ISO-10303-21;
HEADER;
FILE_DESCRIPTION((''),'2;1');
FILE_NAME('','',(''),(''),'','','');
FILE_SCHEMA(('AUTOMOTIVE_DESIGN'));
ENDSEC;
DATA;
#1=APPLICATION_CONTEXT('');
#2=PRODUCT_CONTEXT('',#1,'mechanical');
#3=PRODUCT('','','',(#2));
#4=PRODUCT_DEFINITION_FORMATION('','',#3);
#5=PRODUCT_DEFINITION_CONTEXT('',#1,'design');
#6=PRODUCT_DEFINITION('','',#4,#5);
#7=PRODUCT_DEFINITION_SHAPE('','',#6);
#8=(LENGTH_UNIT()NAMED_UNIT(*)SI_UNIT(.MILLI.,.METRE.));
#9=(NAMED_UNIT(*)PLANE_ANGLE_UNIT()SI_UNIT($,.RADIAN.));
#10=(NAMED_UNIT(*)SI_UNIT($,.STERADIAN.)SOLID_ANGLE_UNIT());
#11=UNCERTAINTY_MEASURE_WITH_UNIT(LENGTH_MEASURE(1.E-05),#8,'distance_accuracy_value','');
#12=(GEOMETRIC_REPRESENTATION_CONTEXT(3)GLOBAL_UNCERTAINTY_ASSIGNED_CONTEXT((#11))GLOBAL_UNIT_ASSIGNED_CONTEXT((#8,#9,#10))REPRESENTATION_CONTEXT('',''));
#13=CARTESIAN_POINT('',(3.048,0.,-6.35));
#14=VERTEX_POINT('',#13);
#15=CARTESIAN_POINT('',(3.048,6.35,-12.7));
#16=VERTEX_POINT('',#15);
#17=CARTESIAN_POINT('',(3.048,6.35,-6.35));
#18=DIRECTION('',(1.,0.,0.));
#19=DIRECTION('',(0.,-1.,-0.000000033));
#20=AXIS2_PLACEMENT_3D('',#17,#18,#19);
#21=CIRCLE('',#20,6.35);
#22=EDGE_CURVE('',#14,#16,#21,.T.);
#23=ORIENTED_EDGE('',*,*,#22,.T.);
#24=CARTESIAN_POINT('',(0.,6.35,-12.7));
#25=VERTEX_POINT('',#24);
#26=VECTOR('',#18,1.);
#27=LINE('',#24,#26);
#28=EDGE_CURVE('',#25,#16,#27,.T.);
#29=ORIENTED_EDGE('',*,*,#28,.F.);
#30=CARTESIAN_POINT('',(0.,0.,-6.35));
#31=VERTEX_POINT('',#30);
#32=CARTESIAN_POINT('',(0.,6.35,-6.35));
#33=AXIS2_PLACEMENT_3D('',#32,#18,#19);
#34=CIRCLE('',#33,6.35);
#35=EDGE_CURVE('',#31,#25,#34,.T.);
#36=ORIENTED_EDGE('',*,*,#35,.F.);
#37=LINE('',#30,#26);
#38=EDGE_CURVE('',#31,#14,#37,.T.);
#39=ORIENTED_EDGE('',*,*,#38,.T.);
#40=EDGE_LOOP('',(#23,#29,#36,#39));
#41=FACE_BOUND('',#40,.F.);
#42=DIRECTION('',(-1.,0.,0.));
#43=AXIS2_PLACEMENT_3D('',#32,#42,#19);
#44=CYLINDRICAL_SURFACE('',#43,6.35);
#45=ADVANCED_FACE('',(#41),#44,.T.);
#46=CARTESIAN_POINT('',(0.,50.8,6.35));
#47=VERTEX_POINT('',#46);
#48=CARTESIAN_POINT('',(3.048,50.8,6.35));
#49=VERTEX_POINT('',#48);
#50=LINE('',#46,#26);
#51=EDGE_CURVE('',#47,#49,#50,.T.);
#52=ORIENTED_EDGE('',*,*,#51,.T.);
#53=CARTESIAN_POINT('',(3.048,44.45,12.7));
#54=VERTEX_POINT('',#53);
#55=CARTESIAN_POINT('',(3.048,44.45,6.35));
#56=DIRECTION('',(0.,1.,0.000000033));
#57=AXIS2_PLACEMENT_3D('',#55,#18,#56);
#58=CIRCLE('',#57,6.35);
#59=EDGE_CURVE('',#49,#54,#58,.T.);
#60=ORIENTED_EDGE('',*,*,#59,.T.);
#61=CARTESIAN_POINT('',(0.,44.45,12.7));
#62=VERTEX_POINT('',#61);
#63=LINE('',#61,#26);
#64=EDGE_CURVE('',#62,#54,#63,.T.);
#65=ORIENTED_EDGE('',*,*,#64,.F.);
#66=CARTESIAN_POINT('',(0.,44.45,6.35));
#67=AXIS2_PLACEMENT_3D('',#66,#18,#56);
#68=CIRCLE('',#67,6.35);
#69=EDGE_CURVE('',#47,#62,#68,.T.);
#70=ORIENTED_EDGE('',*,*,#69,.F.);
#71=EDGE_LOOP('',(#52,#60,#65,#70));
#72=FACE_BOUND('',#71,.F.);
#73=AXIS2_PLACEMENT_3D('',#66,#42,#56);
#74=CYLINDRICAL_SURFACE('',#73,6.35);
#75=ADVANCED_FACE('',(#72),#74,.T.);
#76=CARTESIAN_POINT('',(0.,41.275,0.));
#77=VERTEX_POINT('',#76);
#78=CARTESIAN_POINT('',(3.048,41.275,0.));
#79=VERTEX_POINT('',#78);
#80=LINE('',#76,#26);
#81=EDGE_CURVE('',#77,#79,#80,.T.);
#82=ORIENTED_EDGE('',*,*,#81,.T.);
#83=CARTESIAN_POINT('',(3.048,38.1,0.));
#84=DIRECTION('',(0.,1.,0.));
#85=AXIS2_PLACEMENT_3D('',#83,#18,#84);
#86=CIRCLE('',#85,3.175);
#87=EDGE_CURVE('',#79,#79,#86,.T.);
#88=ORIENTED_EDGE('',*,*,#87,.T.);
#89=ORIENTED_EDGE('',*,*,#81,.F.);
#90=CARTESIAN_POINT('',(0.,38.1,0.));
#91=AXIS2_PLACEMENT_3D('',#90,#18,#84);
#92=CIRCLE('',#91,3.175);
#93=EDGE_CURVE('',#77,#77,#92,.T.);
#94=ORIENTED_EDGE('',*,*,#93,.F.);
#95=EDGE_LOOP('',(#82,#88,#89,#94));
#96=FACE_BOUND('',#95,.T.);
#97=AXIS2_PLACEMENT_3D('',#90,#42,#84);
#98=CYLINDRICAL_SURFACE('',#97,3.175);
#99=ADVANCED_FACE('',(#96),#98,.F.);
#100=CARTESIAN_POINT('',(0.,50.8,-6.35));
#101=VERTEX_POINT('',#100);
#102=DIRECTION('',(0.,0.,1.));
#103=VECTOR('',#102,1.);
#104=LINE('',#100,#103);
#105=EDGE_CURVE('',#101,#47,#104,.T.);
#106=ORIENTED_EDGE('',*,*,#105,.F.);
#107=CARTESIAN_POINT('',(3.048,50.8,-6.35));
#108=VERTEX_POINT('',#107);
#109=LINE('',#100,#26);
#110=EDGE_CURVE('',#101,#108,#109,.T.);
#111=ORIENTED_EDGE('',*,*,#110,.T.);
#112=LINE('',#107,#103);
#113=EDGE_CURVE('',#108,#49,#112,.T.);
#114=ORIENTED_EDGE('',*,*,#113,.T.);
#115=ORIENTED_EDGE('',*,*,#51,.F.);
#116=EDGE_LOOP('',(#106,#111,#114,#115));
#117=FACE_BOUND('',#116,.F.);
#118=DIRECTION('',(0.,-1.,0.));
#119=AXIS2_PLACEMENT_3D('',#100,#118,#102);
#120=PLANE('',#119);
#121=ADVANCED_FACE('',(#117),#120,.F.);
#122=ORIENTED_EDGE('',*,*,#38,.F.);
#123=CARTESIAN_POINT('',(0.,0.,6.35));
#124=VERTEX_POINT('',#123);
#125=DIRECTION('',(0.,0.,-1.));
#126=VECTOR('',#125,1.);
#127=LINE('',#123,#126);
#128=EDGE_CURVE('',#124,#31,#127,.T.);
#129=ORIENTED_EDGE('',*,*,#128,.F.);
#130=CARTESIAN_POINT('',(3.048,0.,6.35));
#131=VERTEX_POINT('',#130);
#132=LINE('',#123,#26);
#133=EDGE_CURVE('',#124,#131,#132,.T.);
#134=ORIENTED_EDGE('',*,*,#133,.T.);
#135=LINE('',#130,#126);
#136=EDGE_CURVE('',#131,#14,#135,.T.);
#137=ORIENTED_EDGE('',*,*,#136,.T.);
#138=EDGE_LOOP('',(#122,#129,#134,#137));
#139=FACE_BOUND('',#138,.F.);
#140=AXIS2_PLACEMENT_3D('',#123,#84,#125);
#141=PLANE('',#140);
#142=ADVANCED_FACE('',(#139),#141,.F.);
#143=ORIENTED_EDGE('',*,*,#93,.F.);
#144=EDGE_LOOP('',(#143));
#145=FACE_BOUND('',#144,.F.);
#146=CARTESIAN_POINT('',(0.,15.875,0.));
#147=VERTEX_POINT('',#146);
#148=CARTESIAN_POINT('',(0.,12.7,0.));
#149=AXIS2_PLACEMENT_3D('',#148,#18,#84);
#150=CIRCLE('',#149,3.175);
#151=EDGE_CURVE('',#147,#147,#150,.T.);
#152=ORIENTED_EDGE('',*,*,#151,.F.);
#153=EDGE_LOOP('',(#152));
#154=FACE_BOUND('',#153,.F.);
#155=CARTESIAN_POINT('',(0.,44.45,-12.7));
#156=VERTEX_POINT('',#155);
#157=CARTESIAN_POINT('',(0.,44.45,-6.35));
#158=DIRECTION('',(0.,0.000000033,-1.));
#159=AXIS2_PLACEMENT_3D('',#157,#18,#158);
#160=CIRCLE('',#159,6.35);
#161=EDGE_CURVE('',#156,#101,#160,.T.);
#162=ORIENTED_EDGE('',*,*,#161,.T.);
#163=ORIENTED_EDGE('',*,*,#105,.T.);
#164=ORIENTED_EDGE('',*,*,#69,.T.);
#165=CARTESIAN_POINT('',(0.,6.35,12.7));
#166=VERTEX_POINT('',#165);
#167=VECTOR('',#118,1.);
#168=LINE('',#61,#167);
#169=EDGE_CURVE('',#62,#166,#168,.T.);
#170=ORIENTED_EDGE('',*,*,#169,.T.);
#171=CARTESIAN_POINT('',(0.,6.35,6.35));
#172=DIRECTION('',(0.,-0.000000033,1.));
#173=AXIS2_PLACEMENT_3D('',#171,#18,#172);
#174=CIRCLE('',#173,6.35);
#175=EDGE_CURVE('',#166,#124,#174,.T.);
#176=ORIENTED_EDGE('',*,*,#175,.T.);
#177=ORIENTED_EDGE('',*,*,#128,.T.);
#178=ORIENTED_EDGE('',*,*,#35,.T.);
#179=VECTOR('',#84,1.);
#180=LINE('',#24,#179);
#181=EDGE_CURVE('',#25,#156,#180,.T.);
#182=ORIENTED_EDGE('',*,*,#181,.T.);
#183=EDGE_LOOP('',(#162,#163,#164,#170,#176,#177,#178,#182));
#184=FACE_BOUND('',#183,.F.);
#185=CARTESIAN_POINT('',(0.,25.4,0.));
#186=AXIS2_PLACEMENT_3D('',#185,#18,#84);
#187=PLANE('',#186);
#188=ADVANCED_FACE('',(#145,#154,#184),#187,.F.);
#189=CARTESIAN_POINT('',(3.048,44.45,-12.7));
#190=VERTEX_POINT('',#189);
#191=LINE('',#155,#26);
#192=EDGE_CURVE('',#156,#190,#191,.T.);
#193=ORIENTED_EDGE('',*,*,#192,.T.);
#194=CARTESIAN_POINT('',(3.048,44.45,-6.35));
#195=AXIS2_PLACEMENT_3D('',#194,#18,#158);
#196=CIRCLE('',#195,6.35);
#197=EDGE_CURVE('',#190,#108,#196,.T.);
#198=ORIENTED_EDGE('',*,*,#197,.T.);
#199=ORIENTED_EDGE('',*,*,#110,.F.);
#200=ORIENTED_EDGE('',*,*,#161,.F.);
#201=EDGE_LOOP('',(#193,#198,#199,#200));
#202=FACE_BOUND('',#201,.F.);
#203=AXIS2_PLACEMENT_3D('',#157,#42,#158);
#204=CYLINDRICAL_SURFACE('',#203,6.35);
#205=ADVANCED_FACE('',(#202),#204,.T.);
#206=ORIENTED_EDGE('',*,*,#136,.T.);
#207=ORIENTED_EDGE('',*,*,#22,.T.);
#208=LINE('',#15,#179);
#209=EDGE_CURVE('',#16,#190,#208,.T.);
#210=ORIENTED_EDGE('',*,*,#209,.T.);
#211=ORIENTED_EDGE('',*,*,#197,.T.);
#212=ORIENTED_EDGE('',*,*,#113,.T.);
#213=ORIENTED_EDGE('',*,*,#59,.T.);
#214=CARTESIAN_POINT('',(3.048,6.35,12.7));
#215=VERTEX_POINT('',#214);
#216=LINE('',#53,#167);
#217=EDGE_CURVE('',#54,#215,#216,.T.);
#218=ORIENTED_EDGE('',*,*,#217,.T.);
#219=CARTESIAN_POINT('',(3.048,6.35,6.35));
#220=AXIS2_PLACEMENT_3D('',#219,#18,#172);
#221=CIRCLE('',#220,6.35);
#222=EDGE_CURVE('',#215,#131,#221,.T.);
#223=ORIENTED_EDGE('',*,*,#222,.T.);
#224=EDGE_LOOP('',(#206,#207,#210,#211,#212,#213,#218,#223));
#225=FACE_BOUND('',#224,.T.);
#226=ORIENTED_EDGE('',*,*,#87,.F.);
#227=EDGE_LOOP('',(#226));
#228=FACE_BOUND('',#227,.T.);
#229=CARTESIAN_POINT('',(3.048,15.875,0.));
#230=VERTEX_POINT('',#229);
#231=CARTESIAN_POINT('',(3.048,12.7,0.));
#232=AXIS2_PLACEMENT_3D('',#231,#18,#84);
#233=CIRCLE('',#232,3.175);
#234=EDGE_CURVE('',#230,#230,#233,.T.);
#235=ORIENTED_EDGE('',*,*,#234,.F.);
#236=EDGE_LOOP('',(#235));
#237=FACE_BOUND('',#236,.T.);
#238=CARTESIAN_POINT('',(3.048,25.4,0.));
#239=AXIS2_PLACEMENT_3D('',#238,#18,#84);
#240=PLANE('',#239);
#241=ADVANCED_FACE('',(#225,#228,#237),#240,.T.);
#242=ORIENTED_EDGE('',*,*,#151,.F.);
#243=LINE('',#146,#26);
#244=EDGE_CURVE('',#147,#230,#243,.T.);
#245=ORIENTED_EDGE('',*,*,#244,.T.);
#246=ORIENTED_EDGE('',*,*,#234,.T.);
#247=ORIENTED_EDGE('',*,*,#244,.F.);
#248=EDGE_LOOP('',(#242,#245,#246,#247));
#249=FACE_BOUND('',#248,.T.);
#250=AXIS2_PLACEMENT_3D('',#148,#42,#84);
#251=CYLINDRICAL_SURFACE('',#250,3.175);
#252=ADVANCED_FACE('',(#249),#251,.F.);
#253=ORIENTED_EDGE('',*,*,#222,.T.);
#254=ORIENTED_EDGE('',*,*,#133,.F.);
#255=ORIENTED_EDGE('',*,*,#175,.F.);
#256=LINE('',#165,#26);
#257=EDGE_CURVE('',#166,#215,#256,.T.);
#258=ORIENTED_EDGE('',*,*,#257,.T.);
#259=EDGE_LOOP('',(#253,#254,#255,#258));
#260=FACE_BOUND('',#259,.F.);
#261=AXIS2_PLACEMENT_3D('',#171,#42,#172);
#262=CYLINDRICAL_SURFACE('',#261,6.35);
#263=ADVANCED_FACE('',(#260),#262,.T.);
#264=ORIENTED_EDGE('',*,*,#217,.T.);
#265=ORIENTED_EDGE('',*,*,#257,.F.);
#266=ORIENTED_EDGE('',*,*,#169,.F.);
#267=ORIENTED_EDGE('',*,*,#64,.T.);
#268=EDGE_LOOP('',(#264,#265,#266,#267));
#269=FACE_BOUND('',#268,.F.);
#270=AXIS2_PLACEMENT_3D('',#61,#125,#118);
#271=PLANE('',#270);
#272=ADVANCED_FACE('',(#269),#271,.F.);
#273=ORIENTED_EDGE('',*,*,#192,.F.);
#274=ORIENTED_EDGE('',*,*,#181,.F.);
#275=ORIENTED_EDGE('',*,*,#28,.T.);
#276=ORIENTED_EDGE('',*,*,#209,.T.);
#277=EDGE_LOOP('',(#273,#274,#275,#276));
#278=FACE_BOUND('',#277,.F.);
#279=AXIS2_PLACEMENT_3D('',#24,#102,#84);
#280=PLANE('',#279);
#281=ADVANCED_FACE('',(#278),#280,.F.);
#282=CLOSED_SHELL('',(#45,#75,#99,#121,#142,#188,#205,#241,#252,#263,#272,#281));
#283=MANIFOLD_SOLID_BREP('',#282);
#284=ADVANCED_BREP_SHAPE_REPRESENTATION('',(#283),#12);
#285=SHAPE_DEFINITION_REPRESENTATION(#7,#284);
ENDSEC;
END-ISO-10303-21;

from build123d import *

# Parameters (mm, degrees)
F0_R     = 3.175
F1_DEPTH = 3.048


with BuildPart() as f1:
    # F0 (on Right) → F1 (new body)
    with BuildSketch(Plane.YZ):
        with BuildLine():
            ThreePointArc((50.8, 6.35), (48.940128, 10.840128), (44.45, 12.7))
            Line((44.45, 12.7), (6.35, 12.7))
            ThreePointArc((6.35, 12.7), (1.859872, 10.840128), (0, 6.35))
            Line((0, 6.35), (0, -6.35))
            ThreePointArc((0, -6.35), (1.859872, -10.840128), (6.35, -12.7))
            Line((6.35, -12.7), (44.45, -12.7))
            ThreePointArc((44.45, -12.7), (48.940128, -10.840128), (50.8, -6.35))
            Line((50.8, -6.35), (50.8, 6.35))
        make_face()
        with Locations((12.7, 0)):
            Circle(F0_R, mode=Mode.SUBTRACT)
        with Locations((38.1, 0)):
            Circle(F0_R, mode=Mode.SUBTRACT)
    extrude(amount=F1_DEPTH)


solid = f1.part
